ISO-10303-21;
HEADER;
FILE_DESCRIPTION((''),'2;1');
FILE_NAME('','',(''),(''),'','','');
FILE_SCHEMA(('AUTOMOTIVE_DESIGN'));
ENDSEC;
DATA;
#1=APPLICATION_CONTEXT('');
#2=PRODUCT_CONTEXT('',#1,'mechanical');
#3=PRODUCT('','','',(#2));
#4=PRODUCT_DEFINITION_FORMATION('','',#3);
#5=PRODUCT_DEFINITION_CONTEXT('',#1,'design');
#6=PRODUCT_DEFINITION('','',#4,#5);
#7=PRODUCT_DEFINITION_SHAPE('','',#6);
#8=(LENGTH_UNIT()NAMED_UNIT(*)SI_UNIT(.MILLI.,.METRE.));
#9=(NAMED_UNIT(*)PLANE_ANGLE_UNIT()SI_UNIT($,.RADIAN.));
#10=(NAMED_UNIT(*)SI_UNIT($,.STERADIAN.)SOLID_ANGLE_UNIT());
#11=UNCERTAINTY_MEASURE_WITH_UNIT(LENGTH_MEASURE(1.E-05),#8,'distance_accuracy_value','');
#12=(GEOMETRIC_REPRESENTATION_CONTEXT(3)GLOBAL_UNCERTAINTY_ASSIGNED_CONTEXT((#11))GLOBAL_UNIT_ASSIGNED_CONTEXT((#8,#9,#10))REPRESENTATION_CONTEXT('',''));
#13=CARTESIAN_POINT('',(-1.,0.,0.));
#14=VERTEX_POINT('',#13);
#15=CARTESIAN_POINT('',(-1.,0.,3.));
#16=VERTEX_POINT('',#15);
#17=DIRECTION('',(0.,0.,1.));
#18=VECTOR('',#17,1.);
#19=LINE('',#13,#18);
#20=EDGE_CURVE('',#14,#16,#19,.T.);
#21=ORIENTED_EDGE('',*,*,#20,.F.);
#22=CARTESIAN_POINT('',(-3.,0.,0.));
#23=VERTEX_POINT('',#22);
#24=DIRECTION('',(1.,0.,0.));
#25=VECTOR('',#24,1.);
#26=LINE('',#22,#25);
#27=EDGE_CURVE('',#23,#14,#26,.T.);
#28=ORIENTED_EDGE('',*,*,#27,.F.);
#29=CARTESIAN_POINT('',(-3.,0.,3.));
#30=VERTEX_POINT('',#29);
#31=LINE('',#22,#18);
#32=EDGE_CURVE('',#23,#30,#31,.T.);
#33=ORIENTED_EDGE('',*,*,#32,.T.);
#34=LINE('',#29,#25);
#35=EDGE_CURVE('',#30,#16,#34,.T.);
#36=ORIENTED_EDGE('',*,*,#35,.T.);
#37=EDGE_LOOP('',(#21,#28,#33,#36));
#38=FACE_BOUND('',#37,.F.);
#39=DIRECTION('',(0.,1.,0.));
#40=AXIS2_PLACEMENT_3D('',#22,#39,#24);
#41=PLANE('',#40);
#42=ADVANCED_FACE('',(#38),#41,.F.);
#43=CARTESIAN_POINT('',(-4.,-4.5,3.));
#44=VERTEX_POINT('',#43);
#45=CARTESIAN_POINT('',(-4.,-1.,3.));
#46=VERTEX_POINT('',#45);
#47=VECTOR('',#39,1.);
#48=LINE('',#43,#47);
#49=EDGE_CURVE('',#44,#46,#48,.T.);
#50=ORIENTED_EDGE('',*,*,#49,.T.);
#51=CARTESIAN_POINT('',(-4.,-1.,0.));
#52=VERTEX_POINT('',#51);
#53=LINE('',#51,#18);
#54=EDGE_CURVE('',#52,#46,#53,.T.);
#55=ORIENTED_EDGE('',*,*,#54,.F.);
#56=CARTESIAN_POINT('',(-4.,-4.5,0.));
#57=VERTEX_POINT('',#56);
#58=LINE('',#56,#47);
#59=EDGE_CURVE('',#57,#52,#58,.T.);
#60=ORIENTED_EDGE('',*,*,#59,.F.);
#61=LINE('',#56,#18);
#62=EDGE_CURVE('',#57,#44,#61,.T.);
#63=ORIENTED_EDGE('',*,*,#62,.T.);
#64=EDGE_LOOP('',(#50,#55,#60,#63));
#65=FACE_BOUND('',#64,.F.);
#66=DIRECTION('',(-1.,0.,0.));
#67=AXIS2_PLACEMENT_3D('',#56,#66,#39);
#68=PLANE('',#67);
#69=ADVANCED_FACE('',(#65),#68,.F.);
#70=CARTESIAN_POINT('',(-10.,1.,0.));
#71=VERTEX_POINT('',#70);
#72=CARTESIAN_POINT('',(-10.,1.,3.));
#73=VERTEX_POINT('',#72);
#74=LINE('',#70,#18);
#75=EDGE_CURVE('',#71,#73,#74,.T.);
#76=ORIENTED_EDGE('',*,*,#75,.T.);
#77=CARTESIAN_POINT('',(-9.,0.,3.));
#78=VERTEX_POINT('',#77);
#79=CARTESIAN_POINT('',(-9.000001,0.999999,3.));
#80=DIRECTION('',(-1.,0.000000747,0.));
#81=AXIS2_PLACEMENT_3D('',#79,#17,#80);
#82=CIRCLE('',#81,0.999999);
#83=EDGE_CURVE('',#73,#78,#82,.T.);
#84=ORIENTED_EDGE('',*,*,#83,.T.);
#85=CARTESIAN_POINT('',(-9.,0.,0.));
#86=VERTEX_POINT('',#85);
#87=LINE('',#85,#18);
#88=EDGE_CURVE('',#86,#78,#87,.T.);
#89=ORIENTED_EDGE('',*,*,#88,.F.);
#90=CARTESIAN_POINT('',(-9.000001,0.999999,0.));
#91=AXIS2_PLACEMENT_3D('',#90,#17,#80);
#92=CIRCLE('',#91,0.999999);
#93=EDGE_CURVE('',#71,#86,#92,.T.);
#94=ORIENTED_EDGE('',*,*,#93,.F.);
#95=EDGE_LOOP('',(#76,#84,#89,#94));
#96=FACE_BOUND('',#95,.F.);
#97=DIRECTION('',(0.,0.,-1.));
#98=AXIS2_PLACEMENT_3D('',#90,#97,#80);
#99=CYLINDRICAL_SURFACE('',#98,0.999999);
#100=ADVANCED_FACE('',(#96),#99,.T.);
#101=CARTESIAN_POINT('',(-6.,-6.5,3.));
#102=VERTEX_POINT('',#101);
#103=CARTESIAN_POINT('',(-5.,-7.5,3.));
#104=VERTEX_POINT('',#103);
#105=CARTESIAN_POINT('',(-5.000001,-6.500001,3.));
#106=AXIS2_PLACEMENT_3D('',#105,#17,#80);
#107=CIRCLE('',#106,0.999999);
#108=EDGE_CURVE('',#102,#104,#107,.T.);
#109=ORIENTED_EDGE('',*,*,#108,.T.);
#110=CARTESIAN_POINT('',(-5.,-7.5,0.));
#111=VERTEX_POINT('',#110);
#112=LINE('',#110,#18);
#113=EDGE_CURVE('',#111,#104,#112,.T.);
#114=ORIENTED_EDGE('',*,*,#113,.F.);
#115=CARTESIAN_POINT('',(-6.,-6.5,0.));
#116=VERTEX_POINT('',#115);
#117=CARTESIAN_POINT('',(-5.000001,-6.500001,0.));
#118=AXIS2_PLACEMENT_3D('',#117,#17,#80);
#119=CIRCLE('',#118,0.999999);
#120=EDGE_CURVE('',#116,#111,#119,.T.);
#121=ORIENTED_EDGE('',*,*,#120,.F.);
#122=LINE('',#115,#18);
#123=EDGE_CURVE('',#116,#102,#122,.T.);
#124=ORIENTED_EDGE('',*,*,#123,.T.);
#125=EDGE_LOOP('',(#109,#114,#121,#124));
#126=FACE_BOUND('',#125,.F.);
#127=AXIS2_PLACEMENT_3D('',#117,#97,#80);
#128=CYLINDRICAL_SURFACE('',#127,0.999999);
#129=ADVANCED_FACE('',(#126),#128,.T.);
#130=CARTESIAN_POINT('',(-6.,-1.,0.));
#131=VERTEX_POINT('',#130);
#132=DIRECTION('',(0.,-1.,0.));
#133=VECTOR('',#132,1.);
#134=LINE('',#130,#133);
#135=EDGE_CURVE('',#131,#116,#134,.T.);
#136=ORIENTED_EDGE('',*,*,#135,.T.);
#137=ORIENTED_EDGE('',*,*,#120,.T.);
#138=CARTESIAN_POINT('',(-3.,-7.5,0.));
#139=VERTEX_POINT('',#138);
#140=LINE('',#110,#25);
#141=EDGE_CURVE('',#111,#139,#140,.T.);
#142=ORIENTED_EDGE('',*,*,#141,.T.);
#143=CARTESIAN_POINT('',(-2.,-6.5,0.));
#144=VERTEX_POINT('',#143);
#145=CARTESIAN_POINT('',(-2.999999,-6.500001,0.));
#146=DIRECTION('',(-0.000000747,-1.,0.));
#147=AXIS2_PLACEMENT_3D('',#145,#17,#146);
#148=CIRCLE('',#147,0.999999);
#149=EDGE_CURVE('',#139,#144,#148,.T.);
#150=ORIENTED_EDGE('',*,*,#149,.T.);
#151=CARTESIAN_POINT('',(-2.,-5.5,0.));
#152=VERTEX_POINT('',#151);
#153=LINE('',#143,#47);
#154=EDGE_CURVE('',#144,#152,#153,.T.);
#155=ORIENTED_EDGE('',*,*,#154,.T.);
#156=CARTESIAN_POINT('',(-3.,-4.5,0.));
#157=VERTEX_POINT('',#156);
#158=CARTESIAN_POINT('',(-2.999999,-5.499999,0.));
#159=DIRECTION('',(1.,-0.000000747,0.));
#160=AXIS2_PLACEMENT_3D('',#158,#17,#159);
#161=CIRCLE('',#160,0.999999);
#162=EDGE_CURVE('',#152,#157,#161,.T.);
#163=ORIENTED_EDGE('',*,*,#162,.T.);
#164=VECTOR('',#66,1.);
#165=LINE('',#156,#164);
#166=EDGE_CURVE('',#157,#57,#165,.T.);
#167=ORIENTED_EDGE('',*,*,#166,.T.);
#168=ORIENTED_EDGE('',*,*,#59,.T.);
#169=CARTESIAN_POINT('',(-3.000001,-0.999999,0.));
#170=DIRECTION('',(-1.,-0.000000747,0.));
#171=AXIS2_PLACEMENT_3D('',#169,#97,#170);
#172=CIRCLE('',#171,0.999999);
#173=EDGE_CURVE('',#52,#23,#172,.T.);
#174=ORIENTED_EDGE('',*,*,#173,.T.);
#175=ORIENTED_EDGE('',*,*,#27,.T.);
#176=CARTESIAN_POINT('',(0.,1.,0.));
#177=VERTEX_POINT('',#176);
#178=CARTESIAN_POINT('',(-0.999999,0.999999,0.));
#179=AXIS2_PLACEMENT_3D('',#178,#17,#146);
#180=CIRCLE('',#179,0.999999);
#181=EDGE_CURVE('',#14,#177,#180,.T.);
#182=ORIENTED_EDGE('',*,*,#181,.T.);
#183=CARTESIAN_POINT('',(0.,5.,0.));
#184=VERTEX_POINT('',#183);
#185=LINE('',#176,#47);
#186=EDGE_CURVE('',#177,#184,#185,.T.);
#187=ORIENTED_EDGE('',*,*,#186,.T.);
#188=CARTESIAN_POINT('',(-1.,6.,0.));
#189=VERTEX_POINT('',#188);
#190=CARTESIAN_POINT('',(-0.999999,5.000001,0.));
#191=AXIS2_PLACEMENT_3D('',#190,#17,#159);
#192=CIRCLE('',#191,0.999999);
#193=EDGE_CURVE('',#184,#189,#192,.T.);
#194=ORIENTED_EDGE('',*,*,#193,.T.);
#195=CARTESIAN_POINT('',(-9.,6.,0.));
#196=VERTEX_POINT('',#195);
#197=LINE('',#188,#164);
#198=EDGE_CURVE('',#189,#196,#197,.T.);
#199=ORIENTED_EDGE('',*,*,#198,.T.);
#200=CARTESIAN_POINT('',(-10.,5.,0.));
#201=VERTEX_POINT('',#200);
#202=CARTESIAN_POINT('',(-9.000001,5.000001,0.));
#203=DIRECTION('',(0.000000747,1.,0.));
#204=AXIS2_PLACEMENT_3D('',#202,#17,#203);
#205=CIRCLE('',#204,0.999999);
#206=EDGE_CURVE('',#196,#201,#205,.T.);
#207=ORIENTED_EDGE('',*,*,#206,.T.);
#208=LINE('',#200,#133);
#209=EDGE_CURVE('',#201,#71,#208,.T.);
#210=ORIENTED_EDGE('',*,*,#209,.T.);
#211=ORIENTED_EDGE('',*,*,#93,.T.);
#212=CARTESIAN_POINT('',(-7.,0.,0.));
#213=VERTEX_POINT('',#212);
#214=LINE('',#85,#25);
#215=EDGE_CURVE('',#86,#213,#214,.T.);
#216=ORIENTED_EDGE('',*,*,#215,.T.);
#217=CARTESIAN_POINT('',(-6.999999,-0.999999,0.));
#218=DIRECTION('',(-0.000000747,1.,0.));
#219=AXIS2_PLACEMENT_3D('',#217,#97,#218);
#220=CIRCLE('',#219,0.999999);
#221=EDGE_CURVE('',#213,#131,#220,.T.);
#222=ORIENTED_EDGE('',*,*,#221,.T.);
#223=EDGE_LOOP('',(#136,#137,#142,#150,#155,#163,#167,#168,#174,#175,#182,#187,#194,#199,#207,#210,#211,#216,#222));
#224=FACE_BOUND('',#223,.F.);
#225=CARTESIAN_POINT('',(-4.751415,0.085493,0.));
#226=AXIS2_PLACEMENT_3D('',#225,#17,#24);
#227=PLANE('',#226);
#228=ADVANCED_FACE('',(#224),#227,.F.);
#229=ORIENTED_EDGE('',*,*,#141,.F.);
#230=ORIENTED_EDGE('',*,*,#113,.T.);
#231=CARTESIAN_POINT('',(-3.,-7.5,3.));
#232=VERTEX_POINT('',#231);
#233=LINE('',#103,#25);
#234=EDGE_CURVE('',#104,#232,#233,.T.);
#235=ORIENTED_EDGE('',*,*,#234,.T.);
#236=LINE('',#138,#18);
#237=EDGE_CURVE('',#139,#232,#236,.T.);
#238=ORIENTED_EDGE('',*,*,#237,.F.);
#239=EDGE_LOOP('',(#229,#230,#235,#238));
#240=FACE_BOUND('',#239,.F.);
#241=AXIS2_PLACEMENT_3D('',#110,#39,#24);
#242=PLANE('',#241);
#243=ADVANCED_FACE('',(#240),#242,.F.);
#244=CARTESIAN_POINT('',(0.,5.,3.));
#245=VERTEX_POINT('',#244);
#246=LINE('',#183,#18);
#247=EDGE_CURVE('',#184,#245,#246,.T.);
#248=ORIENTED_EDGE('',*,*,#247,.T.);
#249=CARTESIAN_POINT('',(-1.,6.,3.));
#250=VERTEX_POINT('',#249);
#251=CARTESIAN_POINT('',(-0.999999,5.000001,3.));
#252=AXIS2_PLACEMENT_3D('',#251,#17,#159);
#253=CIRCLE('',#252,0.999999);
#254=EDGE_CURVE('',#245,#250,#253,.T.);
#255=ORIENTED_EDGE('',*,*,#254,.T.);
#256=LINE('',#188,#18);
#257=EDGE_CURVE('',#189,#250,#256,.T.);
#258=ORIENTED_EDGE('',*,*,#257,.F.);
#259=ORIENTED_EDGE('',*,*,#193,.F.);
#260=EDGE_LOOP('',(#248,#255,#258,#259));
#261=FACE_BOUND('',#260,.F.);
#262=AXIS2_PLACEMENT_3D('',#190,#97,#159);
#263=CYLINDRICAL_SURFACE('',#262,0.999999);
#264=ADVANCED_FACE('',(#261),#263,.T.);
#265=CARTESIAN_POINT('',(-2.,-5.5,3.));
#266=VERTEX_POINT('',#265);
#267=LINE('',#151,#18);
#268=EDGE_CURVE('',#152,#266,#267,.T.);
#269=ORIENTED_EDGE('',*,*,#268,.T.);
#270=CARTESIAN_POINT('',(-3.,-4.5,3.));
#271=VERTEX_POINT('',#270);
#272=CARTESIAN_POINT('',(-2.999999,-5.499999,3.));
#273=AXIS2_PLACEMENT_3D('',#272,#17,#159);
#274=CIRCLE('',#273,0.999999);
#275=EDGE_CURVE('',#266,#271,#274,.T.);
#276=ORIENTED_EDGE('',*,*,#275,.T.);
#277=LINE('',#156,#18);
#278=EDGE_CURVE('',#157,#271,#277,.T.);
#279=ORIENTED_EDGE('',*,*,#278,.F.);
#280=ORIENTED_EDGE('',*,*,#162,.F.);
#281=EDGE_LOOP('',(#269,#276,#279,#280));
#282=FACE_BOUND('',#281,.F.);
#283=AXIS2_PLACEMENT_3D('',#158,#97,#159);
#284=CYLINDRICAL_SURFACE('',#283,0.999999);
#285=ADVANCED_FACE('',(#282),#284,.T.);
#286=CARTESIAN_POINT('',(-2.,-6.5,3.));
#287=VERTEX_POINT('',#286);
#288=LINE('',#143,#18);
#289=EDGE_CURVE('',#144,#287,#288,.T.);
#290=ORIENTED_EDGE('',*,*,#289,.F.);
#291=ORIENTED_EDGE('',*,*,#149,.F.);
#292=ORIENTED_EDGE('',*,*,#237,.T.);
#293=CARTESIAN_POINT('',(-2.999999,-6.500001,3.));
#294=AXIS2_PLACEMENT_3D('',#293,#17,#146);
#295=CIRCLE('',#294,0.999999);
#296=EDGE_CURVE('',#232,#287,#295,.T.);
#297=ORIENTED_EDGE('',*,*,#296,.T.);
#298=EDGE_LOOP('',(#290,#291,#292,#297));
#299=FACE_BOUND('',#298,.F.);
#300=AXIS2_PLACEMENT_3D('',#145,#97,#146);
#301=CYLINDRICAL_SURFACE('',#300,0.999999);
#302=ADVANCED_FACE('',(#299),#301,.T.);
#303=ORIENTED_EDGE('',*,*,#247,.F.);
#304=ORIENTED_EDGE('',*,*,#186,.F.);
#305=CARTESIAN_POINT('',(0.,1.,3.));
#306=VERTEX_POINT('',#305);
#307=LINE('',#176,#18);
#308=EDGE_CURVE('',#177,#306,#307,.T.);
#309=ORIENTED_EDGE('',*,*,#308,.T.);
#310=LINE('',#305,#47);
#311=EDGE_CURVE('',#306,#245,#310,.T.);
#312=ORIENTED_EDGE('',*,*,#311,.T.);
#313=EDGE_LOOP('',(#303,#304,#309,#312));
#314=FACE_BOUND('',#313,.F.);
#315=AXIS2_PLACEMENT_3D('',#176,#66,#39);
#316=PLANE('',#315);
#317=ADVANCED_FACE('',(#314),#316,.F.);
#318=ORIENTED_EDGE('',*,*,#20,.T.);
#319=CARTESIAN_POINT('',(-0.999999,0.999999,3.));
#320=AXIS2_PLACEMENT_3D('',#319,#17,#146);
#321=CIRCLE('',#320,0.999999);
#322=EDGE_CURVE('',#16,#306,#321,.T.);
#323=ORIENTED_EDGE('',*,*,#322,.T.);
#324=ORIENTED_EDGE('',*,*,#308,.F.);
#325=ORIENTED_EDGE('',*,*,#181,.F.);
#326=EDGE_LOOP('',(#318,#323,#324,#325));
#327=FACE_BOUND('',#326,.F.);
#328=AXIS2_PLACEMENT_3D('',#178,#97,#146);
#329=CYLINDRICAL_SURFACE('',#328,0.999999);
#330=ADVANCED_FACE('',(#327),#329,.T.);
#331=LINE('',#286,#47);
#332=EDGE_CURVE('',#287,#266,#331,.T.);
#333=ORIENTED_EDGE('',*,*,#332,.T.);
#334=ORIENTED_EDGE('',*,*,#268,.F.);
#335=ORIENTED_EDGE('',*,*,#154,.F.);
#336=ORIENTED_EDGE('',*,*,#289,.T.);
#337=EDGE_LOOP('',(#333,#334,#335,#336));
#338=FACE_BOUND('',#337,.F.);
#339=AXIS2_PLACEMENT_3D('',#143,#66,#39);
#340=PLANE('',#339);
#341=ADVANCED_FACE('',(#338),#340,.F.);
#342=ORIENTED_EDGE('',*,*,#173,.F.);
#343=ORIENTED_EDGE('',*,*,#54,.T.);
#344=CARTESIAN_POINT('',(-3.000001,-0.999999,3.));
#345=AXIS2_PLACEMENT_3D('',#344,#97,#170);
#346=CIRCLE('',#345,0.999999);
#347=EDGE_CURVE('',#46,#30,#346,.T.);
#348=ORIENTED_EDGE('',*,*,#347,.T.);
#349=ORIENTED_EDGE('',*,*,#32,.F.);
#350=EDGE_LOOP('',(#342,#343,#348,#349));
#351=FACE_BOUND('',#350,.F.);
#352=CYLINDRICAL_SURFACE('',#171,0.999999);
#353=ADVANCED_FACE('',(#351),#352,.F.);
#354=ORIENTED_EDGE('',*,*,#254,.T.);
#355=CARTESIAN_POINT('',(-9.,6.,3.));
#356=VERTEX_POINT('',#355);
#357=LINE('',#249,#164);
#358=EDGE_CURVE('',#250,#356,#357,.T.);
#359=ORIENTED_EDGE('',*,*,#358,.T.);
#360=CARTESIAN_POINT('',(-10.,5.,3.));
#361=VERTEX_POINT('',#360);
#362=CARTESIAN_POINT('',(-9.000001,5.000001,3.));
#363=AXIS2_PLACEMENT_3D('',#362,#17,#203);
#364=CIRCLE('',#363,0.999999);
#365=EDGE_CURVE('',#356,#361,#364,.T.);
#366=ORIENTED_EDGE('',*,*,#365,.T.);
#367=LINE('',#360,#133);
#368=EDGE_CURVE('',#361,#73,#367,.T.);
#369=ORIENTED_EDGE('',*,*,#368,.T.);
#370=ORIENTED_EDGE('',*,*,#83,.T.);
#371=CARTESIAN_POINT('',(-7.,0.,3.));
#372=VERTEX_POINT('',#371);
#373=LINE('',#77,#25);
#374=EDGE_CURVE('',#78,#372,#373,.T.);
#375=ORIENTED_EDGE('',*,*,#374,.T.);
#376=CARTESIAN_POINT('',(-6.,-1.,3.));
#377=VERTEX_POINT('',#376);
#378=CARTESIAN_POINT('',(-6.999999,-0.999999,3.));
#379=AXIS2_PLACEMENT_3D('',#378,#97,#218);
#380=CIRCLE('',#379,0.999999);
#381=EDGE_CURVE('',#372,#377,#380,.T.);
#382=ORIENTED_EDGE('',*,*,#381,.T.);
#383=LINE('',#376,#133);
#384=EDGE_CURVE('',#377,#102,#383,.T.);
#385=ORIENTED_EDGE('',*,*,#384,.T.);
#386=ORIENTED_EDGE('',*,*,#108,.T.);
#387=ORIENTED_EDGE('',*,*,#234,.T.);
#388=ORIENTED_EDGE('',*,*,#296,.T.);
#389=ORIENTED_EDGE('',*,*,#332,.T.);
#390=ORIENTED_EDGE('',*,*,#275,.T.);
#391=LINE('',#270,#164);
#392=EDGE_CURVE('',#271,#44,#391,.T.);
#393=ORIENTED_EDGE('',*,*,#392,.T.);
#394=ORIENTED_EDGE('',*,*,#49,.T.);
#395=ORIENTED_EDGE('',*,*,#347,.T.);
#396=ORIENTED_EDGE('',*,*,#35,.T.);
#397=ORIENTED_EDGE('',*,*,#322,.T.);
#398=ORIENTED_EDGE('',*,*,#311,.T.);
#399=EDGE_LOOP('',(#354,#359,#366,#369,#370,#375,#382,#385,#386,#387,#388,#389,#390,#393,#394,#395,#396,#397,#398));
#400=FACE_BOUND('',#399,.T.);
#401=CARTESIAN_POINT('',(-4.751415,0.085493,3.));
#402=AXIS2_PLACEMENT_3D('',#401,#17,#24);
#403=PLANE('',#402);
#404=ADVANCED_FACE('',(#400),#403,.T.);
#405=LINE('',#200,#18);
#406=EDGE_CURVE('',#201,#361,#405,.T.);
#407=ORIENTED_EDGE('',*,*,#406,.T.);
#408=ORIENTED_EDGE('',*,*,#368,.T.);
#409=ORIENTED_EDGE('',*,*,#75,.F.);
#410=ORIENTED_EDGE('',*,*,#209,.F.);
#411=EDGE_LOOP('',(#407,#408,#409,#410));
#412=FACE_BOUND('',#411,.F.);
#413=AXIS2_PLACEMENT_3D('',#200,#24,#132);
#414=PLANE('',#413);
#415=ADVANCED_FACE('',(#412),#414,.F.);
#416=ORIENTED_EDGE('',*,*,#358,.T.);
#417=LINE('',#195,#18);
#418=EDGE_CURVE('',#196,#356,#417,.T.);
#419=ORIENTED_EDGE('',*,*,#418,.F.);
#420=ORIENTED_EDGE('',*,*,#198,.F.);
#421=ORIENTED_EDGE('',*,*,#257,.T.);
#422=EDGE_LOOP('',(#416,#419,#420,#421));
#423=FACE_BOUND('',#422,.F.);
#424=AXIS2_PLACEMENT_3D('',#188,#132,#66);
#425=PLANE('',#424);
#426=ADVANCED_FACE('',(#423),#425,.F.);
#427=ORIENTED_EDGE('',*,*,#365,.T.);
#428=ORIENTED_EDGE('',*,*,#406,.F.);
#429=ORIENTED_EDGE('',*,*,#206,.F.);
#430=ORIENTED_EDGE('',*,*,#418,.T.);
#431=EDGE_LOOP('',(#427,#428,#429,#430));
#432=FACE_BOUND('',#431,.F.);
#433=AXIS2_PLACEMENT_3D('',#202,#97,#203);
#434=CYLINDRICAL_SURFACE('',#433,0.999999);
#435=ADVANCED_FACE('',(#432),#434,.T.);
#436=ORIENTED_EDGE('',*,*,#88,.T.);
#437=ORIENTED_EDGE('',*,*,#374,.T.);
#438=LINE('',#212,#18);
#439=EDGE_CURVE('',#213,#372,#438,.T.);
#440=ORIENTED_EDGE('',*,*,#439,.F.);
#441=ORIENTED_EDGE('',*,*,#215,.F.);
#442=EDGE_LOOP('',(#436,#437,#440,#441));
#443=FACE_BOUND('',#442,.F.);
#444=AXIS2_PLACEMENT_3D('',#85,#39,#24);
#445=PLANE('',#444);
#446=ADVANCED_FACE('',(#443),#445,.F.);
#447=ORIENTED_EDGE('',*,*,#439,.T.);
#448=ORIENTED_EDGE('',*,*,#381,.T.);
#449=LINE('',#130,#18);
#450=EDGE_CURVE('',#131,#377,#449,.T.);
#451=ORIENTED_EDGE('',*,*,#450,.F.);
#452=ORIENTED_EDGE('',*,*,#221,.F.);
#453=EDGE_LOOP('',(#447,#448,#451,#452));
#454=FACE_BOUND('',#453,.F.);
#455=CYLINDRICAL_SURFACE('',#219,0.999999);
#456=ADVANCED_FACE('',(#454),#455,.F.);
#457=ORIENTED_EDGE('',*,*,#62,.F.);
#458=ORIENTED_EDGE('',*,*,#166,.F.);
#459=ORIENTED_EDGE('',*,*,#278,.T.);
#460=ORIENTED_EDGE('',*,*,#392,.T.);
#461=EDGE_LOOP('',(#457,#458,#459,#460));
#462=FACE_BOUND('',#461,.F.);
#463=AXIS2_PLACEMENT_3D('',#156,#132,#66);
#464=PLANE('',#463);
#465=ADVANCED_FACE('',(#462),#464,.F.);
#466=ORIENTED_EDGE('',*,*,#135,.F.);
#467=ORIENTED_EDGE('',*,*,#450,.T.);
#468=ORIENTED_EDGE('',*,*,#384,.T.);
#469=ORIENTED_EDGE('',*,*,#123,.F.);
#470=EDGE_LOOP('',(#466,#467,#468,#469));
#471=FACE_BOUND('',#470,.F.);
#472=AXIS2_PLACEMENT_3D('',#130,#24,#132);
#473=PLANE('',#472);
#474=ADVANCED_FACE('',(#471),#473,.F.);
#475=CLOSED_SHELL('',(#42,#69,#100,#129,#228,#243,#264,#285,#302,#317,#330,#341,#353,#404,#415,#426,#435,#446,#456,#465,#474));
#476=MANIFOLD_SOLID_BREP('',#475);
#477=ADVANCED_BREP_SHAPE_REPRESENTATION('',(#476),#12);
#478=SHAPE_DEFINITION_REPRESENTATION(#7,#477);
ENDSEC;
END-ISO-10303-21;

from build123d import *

# Parameters (mm, degrees)
F1_DEPTH = 3


with BuildPart() as f1:
    # F0 (on Top) → F1 (new body)
    with BuildSketch(Plane.XY):
        with BuildLine():
            Line((-3, 0), (-1, 0))
            ThreePointArc((-1, 0), (-0.292893, 0.292893), (0, 1))
            Line((0, 1), (0, 5))
            ThreePointArc((0, 5), (-0.292893, 5.707107), (-1, 6))
            Line((-1, 6), (-9, 6))
            ThreePointArc((-9, 6), (-9.707107, 5.707107), (-10, 5))
            Line((-10, 5), (-10, 1))
            ThreePointArc((-10, 1), (-9.707107, 0.292893), (-9, 0))
            Line((-9, 0), (-7, 0))
            ThreePointArc((-7, 0), (-6.292893, -0.292893), (-6, -1))
            Line((-6, -1), (-6, -6.5))
            ThreePointArc((-6, -6.5), (-5.707107, -7.207107), (-5, -7.5))
            Line((-5, -7.5), (-3, -7.5))
            ThreePointArc((-3, -7.5), (-2.292893, -7.207107), (-2, -6.5))
            Line((-2, -6.5), (-2, -5.5))
            ThreePointArc((-2, -5.5), (-2.292893, -4.792893), (-3, -4.5))
            Line((-3, -4.5), (-4, -4.5))
            Line((-4, -4.5), (-4, -1))
            ThreePointArc((-4, -1), (-3.707107, -0.292893), (-3, 0))
        make_face()
    extrude(amount=F1_DEPTH)


solid = f1.part
